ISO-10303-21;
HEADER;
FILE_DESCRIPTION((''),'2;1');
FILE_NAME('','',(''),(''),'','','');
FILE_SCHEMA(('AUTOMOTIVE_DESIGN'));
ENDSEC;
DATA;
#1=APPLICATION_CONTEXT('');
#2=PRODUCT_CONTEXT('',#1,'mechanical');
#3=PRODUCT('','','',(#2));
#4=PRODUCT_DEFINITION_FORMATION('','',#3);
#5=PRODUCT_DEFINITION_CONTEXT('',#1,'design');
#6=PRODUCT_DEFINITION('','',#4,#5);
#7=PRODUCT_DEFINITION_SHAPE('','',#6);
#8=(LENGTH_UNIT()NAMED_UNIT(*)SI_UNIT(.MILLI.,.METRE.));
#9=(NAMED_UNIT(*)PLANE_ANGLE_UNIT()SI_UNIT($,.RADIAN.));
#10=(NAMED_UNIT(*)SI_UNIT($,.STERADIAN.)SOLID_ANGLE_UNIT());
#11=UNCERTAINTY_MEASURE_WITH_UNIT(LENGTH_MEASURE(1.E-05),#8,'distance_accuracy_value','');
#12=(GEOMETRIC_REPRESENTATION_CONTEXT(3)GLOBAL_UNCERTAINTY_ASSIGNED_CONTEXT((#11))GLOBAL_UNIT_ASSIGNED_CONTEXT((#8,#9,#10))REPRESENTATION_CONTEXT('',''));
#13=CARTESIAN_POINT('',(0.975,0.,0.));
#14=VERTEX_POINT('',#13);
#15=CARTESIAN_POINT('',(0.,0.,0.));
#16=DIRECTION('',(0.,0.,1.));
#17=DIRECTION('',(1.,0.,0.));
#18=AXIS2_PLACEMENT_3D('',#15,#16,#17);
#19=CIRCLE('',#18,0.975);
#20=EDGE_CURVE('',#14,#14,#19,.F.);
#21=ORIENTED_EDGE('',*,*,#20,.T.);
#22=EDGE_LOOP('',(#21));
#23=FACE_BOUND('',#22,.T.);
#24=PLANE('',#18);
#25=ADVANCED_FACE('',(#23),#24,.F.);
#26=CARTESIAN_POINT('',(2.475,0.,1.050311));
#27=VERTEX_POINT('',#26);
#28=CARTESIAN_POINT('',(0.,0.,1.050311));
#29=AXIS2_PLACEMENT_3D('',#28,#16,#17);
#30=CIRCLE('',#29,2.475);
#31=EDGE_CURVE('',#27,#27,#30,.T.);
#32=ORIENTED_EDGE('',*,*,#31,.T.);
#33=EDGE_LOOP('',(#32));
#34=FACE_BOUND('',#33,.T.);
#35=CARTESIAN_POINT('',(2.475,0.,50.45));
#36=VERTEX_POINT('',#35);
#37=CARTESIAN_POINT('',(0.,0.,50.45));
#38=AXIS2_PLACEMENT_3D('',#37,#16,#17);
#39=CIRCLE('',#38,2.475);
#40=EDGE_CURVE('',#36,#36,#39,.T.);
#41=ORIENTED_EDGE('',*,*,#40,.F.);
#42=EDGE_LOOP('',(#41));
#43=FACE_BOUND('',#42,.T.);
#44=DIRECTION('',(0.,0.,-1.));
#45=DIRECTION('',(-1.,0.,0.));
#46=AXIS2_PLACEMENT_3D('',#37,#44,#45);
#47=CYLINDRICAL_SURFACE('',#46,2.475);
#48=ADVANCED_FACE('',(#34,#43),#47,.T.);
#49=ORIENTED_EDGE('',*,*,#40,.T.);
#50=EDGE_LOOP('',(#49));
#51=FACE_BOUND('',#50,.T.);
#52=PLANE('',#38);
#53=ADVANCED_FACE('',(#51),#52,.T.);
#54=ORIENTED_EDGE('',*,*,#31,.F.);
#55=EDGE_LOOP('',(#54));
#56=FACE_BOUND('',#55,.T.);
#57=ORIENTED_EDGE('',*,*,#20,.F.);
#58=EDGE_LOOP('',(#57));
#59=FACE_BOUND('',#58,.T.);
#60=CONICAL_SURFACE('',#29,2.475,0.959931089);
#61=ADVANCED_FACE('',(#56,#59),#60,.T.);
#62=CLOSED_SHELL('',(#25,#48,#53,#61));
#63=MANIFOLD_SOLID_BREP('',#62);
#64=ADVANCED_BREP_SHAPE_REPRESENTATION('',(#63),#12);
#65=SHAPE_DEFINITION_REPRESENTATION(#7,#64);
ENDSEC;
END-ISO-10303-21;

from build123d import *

# Parameters (mm, degrees)
SKETCH1_R           = 2.475
BOSS_EXTRUDE1_DEPTH = 50.45
CHAMFER1_SIZE       = 1.5
CHAMFER1_SIZE2      = 1.050311307


with BuildPart() as part:
    # Sketch1 → Boss-Extrude1 (new body)
    with BuildSketch(Plane.XY):
        Circle(SKETCH1_R)
    extrude(amount=BOSS_EXTRUDE1_DEPTH)

    # Chamfer1
    chamfer1_edges = [part.edges().sort_by_distance(p)[0] for p in [
        (-2.475, 0, 0),
    ]]
    chamfer1_side = [part.faces().sort_by_distance(p)[0] for p in [
        (0, 0, 0),
    ]]
    chamfer(chamfer1_edges, length=CHAMFER1_SIZE, length2=CHAMFER1_SIZE2, reference=chamfer1_side[0])


solid = part.part
